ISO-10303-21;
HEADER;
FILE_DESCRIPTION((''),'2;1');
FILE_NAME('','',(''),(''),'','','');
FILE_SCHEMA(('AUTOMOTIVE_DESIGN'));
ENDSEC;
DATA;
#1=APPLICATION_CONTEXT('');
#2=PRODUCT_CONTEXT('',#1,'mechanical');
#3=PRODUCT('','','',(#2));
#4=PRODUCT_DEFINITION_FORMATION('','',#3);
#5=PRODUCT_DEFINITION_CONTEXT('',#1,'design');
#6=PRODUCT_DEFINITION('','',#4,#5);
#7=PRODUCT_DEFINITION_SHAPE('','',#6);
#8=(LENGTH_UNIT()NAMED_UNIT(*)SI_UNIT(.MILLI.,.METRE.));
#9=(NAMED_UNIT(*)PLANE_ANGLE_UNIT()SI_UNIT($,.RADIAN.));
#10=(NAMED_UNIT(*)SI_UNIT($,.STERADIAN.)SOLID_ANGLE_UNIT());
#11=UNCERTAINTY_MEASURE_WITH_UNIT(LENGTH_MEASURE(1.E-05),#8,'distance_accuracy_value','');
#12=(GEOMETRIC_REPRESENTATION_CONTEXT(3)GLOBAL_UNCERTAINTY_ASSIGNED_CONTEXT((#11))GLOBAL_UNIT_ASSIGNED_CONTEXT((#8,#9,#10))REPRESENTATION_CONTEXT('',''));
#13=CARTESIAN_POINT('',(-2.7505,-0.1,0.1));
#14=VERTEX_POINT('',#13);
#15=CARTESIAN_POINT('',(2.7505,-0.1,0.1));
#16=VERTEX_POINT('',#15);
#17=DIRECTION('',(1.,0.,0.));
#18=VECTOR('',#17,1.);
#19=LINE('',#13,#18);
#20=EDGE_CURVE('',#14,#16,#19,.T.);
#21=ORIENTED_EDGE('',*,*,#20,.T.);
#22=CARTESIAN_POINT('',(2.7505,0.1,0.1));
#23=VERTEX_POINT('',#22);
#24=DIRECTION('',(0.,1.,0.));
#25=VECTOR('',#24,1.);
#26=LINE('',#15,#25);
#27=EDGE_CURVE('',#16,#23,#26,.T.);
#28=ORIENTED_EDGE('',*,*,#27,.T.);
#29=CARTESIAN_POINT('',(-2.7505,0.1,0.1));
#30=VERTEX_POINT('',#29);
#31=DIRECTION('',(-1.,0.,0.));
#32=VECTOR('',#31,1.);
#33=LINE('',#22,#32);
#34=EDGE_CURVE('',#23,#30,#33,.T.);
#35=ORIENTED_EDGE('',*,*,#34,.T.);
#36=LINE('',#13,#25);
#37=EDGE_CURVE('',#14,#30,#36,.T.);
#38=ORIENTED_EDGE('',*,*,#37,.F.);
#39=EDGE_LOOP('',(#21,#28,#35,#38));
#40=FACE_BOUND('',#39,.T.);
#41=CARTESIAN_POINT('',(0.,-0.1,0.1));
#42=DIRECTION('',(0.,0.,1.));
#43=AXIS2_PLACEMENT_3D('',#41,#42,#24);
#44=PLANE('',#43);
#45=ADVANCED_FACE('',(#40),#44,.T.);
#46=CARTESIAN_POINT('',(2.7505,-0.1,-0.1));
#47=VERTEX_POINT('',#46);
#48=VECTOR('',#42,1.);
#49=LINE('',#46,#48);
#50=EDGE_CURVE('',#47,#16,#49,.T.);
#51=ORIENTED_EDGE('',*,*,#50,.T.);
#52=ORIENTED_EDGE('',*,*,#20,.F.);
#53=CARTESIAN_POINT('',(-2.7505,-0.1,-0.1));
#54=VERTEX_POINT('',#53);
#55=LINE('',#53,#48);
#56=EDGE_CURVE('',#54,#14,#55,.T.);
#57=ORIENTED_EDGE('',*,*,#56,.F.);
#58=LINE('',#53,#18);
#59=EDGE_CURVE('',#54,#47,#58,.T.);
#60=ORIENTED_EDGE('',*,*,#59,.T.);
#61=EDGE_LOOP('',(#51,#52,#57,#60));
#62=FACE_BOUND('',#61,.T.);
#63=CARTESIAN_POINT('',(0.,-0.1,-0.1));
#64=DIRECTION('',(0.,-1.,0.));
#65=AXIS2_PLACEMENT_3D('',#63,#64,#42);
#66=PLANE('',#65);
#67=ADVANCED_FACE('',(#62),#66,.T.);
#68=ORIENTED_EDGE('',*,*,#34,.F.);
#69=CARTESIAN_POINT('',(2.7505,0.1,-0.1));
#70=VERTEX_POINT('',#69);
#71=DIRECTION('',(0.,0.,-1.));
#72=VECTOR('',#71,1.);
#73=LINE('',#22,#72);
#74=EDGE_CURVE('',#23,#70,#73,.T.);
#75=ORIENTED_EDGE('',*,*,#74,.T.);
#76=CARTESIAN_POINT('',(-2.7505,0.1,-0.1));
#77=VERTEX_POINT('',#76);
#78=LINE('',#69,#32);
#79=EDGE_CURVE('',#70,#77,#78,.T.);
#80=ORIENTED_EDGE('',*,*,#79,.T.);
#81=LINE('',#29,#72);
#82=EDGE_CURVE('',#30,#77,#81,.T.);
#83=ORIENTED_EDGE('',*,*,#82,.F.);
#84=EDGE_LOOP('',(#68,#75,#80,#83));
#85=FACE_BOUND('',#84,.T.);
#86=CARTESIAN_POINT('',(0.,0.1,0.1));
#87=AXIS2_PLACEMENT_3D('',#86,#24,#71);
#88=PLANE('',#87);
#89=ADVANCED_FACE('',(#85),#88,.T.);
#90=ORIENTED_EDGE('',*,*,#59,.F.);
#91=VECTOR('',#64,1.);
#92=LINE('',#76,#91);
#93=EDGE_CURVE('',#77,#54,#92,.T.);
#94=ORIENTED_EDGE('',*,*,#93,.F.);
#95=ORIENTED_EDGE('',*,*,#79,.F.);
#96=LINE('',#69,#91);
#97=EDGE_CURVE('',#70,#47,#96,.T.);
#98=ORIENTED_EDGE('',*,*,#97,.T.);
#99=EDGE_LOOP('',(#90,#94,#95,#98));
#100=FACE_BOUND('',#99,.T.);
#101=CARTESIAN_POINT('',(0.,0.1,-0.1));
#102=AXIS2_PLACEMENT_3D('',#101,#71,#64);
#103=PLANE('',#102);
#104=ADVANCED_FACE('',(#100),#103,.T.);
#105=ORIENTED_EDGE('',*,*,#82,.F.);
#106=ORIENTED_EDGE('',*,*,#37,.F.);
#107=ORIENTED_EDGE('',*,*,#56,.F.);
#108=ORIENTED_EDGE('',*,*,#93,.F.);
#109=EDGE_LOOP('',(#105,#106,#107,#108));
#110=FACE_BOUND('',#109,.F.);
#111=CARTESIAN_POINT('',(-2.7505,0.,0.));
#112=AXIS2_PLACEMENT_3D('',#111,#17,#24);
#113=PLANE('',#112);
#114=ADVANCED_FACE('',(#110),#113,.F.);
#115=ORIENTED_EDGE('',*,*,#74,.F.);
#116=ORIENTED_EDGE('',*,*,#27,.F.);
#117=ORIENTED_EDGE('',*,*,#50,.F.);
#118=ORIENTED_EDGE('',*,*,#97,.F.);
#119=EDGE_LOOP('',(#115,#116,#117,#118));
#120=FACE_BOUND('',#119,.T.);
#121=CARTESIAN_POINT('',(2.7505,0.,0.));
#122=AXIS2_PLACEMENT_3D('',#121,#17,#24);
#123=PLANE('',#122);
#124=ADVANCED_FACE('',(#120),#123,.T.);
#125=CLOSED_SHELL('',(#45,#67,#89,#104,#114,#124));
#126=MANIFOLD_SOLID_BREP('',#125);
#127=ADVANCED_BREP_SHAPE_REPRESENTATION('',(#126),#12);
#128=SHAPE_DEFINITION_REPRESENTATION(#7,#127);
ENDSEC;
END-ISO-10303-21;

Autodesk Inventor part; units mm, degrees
ref_plane "YZ Plane" through (0, 0, 0) normal (1, 0, 0) x (0, 1, 0)
ref_plane "XZ Plane" through (0, 0, 0) normal (0, 1, 0) x (-1, 0, 0)
ref_plane "XY Plane" through (0, 0, 0) normal (0, 0, 1) x (1, 0, 0)
sketch "Sketch1" plane through (0, 0, 0) normal (1, 0, 0) x (0, 1, 0)
  line L0 (-0.1, 0.1) -> (0.1, 0.1)
  line L1 (0.1, 0.1) -> (0.1, -0.1)
  line L2 (0.1, -0.1) -> (-0.1, -0.1)
  line L3 (-0.1, -0.1) -> (-0.1, 0.1)
  line L4 (-0.1, 0.1) -> (0.1, -0.1) construction
  line L5 (0.1, 0.1) -> (-0.1, -0.1) construction
  point P0 (0, 0)
  dimension "d0" = 0.2
  dimension "d1" = 0.2
extrude "Extrusion1" add sketch "Sketch1" along normal mid plane 5.501
properties part number "Bone3_1_Fix"
